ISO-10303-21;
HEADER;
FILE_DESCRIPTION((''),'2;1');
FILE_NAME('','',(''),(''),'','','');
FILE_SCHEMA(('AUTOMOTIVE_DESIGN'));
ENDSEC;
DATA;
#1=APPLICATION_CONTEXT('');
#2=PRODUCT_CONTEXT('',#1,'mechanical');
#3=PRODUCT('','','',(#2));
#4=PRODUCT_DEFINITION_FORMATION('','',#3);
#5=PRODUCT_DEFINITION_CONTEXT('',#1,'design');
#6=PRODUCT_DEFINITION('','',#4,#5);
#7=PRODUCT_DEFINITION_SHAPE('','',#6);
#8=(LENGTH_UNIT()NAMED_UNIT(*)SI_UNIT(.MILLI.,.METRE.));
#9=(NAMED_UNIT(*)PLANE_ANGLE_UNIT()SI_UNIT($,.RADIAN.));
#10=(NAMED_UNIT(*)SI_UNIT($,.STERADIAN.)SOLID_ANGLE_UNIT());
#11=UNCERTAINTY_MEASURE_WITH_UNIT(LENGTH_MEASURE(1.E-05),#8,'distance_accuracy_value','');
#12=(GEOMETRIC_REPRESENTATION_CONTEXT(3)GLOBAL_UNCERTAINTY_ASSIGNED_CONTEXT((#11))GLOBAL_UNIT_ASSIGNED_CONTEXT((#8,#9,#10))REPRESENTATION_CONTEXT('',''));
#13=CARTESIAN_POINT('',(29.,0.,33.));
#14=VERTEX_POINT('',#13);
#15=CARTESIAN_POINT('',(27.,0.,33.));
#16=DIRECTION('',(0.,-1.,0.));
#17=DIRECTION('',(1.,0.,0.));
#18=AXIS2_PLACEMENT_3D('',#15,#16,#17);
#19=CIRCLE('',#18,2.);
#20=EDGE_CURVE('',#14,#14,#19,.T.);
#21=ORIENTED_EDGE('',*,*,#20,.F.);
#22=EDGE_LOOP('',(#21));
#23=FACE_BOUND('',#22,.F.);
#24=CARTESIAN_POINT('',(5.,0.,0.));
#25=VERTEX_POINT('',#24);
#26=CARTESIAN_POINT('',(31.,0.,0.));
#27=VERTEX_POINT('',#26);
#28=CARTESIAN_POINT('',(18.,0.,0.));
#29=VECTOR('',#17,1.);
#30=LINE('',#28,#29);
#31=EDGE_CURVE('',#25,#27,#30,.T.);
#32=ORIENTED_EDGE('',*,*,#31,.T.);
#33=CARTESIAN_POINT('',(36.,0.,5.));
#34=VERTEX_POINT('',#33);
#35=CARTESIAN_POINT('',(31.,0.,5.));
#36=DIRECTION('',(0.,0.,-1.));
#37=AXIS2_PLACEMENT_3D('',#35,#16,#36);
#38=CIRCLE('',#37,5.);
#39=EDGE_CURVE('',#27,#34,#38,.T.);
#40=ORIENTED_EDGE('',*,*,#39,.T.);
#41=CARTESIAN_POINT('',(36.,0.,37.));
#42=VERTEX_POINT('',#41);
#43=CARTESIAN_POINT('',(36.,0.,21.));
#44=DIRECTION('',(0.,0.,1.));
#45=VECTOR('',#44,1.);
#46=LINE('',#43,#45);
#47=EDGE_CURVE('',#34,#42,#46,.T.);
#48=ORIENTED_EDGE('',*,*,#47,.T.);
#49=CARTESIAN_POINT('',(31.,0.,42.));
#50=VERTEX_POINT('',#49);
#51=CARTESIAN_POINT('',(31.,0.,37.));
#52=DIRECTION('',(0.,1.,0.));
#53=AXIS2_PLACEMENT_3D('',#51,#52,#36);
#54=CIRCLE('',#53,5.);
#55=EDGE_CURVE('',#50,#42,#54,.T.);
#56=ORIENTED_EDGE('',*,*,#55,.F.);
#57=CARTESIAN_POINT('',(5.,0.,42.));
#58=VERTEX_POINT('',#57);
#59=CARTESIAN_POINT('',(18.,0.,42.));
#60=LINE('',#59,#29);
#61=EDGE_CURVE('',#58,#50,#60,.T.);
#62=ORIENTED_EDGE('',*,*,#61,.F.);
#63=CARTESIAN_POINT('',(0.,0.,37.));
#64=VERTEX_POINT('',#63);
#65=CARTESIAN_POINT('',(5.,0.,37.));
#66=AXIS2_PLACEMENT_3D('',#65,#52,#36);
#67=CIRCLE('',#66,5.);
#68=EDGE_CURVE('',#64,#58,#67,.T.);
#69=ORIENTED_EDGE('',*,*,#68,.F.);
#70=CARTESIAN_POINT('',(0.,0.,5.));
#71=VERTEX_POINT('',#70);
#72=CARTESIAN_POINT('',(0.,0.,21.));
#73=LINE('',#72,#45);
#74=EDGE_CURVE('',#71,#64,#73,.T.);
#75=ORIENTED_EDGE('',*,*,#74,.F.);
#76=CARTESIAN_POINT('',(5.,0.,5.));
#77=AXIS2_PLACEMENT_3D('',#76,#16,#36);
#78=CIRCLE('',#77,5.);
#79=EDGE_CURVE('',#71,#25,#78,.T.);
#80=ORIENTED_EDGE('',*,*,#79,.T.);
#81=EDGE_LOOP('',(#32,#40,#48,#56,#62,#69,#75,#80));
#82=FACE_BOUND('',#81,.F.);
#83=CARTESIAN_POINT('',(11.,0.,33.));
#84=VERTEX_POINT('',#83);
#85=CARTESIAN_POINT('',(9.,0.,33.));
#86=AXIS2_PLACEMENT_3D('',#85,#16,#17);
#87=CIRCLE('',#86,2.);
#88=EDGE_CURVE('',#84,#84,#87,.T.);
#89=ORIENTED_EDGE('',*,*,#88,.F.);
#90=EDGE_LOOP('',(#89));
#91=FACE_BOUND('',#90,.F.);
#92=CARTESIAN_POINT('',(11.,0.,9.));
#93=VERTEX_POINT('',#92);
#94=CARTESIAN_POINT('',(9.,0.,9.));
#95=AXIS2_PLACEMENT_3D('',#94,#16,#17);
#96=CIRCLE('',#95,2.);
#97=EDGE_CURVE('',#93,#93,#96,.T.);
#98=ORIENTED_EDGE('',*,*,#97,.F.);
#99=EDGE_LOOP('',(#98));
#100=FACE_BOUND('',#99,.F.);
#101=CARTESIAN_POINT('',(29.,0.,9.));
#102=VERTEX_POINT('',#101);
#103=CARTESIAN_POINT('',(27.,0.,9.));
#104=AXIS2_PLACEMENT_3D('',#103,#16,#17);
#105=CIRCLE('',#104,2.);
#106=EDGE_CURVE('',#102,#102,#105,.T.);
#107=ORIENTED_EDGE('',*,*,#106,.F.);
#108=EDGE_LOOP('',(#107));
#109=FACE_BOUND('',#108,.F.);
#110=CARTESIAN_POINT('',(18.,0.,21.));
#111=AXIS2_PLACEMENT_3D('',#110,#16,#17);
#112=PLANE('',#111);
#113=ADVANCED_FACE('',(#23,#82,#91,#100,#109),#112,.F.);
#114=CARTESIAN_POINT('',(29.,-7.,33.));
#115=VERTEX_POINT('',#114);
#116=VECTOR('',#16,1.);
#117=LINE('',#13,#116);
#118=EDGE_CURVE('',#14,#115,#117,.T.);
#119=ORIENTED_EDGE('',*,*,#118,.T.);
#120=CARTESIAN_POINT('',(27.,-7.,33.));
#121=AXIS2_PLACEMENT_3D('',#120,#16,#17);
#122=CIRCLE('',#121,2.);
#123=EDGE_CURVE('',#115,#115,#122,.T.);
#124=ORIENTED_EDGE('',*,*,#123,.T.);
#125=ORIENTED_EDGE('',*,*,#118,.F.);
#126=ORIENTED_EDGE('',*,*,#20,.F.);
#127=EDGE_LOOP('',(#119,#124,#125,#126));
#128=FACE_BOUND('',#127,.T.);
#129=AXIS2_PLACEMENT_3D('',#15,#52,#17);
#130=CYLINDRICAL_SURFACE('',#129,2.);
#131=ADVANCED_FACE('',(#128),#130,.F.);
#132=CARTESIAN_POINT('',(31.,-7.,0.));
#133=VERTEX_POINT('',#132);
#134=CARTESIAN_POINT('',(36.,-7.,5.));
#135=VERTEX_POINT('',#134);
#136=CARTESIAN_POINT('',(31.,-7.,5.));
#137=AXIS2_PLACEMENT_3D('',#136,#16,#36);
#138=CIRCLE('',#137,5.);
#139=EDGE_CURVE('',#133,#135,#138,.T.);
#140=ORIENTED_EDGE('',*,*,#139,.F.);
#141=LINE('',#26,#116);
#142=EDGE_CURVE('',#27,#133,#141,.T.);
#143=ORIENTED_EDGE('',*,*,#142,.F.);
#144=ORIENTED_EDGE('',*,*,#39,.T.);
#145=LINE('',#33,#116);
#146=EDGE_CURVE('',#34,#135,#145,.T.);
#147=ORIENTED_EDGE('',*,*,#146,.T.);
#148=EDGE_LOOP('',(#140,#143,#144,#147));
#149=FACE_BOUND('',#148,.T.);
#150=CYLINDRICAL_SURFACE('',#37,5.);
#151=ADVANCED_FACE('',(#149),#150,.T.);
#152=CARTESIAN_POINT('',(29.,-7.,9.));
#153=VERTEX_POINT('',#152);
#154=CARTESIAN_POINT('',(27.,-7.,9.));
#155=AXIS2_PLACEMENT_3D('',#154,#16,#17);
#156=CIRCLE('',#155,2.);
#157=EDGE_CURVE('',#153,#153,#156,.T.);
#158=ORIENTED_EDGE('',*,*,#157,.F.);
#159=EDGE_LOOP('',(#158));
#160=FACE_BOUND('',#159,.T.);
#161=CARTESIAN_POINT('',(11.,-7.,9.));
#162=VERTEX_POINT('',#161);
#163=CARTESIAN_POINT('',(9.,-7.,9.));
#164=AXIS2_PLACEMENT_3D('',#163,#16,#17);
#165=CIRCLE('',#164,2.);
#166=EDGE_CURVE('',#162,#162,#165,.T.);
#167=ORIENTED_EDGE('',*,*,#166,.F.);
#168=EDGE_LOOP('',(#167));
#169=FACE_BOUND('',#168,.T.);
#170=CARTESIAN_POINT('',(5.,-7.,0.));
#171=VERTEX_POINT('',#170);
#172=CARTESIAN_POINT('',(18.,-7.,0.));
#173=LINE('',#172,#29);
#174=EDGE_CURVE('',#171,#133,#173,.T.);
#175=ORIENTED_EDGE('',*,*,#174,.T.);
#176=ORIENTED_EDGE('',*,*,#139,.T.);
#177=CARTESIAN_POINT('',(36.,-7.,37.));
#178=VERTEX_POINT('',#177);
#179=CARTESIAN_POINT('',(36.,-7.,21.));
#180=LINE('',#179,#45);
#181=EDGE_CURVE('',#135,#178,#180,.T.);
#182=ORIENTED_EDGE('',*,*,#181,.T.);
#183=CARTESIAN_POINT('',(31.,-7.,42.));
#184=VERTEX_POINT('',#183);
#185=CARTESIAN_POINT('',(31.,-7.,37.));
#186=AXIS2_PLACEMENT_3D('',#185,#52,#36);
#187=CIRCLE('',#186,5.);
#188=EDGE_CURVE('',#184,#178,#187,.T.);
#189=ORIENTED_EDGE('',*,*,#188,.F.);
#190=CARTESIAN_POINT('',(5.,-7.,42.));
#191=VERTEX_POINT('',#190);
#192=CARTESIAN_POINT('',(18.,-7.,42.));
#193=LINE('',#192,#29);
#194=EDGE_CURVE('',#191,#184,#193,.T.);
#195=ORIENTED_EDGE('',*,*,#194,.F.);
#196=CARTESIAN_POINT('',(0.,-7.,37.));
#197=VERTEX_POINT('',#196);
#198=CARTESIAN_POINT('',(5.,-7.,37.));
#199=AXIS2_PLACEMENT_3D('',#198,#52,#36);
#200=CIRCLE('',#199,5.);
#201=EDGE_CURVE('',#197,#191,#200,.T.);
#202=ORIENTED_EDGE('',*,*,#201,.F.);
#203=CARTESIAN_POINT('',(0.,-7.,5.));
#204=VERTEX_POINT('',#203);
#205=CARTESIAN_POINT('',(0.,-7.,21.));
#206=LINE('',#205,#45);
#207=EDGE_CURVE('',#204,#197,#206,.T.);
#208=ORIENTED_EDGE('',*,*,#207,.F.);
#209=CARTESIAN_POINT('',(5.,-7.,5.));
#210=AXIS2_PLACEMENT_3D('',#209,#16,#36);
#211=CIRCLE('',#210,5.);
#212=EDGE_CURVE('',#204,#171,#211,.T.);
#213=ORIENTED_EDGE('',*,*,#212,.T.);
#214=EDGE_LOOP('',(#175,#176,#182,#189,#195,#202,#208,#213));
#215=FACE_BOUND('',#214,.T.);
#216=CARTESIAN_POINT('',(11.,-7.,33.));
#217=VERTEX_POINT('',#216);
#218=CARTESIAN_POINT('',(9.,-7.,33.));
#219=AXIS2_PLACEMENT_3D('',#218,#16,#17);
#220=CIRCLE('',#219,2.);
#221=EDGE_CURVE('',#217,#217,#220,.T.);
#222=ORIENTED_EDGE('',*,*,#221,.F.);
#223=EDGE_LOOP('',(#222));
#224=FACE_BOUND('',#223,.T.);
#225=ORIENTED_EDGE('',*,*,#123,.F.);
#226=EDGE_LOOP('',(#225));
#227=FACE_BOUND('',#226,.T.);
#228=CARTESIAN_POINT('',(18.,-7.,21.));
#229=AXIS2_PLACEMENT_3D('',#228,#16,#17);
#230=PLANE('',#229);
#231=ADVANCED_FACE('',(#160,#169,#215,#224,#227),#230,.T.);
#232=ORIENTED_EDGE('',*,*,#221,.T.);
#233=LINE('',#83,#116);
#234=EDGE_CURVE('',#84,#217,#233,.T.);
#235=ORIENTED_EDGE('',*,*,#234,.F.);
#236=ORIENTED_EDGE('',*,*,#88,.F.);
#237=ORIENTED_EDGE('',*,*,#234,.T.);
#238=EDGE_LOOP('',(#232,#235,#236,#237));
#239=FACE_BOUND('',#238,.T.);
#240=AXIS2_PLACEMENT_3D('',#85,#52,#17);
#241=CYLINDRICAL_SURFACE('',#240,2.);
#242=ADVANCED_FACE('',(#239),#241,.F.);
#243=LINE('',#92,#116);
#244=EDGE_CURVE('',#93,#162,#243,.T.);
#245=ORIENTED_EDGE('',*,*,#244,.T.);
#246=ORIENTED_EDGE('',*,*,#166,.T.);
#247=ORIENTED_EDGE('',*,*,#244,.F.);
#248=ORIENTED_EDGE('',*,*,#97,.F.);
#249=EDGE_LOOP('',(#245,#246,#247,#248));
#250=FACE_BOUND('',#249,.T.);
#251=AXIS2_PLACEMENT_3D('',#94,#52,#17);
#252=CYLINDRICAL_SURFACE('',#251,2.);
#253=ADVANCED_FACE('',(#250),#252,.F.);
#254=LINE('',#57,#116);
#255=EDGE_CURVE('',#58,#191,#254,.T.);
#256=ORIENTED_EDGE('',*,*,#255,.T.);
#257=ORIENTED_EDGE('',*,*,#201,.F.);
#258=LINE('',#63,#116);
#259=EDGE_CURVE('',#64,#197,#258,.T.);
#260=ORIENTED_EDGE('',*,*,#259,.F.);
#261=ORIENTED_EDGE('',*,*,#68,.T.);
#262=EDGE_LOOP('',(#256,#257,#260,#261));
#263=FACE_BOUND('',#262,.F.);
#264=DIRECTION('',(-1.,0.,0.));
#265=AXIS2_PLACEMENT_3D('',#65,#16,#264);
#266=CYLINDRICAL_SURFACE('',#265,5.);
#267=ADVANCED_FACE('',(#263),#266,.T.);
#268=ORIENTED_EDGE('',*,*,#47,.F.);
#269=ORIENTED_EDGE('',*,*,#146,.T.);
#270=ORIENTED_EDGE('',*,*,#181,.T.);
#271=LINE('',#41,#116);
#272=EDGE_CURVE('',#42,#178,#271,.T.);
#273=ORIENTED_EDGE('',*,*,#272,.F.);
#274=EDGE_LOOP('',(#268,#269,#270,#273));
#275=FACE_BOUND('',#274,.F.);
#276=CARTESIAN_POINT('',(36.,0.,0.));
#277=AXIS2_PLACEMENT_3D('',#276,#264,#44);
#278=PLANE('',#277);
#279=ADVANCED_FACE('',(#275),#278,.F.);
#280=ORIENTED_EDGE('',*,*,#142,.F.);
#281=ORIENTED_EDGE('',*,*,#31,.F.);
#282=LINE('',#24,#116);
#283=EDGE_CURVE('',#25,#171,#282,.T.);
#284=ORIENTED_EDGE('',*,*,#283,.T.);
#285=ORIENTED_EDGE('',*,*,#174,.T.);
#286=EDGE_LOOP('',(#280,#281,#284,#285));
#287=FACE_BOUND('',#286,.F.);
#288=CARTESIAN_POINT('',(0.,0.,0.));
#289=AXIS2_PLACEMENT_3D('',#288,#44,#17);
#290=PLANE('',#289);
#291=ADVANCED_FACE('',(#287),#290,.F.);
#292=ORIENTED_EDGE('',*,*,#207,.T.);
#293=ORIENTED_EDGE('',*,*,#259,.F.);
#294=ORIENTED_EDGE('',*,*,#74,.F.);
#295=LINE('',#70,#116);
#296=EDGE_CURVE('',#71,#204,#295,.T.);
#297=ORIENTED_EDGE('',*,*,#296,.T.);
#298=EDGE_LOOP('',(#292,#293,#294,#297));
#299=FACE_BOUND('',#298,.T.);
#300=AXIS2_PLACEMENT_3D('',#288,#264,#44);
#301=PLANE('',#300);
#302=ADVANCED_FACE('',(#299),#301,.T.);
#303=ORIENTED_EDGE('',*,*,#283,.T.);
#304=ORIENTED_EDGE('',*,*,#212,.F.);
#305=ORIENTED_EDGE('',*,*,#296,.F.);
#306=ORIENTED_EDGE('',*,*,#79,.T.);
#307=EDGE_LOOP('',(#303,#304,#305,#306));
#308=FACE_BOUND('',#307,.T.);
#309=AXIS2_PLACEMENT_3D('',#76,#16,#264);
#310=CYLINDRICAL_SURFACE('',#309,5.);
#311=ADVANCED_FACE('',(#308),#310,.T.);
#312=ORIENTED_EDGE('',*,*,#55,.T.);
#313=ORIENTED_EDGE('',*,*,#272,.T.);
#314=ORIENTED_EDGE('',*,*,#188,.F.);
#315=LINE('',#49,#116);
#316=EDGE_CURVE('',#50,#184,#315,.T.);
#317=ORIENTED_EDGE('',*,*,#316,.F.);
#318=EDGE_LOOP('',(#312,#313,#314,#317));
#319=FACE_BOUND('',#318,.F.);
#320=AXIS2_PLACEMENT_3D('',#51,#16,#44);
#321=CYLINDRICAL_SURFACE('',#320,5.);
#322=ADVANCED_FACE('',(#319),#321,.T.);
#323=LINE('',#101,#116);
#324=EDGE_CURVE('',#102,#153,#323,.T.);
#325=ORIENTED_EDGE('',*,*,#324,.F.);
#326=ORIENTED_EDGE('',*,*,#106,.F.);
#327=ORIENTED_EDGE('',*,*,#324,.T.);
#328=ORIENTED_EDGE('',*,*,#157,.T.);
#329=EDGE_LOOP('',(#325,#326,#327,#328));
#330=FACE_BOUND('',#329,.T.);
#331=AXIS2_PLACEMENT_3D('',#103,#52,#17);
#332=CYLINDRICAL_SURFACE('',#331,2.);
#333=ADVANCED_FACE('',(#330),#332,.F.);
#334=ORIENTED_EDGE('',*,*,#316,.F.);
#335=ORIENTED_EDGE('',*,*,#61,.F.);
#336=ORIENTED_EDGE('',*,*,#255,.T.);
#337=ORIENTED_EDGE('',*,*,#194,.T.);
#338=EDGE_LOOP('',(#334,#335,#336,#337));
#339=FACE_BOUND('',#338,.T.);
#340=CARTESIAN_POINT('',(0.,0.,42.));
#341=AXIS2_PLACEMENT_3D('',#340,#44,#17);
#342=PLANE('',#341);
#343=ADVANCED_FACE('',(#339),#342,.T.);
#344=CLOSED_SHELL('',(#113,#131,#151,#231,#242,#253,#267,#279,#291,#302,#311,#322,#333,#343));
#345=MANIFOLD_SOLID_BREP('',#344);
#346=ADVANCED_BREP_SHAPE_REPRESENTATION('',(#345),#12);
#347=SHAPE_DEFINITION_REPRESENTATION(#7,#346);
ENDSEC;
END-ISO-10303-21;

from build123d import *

# Parameters (mm, degrees)
F0_W     = 36
F0_H     = 42
F0_R     = 2
F1_DEPTH = 7
F2_R     = 5


with BuildPart() as f1:
    # F0 (on Front) → F1 (new body)
    with BuildSketch(Plane.XZ):
        with Locations((18, 21)):
            Rectangle(F0_W, F0_H)
        with Locations((9, 9)):
            Circle(F0_R, mode=Mode.SUBTRACT)
        with Locations((27, 9)):
            Circle(F0_R, mode=Mode.SUBTRACT)
        with Locations((9, 33)):
            Circle(F0_R, mode=Mode.SUBTRACT)
        with Locations((27, 33)):
            Circle(F0_R, mode=Mode.SUBTRACT)
    extrude(amount=F1_DEPTH)

    # F2
    f2_edges = [f1.edges().sort_by_distance(p)[0] for p in [
        (0, -3.5, 42),
        (0, -3.5, 0),
        (36, -3.5, 0),
        (36, -3.5, 42),
    ]]
    fillet(f2_edges, radius=F2_R)


solid = f1.part
